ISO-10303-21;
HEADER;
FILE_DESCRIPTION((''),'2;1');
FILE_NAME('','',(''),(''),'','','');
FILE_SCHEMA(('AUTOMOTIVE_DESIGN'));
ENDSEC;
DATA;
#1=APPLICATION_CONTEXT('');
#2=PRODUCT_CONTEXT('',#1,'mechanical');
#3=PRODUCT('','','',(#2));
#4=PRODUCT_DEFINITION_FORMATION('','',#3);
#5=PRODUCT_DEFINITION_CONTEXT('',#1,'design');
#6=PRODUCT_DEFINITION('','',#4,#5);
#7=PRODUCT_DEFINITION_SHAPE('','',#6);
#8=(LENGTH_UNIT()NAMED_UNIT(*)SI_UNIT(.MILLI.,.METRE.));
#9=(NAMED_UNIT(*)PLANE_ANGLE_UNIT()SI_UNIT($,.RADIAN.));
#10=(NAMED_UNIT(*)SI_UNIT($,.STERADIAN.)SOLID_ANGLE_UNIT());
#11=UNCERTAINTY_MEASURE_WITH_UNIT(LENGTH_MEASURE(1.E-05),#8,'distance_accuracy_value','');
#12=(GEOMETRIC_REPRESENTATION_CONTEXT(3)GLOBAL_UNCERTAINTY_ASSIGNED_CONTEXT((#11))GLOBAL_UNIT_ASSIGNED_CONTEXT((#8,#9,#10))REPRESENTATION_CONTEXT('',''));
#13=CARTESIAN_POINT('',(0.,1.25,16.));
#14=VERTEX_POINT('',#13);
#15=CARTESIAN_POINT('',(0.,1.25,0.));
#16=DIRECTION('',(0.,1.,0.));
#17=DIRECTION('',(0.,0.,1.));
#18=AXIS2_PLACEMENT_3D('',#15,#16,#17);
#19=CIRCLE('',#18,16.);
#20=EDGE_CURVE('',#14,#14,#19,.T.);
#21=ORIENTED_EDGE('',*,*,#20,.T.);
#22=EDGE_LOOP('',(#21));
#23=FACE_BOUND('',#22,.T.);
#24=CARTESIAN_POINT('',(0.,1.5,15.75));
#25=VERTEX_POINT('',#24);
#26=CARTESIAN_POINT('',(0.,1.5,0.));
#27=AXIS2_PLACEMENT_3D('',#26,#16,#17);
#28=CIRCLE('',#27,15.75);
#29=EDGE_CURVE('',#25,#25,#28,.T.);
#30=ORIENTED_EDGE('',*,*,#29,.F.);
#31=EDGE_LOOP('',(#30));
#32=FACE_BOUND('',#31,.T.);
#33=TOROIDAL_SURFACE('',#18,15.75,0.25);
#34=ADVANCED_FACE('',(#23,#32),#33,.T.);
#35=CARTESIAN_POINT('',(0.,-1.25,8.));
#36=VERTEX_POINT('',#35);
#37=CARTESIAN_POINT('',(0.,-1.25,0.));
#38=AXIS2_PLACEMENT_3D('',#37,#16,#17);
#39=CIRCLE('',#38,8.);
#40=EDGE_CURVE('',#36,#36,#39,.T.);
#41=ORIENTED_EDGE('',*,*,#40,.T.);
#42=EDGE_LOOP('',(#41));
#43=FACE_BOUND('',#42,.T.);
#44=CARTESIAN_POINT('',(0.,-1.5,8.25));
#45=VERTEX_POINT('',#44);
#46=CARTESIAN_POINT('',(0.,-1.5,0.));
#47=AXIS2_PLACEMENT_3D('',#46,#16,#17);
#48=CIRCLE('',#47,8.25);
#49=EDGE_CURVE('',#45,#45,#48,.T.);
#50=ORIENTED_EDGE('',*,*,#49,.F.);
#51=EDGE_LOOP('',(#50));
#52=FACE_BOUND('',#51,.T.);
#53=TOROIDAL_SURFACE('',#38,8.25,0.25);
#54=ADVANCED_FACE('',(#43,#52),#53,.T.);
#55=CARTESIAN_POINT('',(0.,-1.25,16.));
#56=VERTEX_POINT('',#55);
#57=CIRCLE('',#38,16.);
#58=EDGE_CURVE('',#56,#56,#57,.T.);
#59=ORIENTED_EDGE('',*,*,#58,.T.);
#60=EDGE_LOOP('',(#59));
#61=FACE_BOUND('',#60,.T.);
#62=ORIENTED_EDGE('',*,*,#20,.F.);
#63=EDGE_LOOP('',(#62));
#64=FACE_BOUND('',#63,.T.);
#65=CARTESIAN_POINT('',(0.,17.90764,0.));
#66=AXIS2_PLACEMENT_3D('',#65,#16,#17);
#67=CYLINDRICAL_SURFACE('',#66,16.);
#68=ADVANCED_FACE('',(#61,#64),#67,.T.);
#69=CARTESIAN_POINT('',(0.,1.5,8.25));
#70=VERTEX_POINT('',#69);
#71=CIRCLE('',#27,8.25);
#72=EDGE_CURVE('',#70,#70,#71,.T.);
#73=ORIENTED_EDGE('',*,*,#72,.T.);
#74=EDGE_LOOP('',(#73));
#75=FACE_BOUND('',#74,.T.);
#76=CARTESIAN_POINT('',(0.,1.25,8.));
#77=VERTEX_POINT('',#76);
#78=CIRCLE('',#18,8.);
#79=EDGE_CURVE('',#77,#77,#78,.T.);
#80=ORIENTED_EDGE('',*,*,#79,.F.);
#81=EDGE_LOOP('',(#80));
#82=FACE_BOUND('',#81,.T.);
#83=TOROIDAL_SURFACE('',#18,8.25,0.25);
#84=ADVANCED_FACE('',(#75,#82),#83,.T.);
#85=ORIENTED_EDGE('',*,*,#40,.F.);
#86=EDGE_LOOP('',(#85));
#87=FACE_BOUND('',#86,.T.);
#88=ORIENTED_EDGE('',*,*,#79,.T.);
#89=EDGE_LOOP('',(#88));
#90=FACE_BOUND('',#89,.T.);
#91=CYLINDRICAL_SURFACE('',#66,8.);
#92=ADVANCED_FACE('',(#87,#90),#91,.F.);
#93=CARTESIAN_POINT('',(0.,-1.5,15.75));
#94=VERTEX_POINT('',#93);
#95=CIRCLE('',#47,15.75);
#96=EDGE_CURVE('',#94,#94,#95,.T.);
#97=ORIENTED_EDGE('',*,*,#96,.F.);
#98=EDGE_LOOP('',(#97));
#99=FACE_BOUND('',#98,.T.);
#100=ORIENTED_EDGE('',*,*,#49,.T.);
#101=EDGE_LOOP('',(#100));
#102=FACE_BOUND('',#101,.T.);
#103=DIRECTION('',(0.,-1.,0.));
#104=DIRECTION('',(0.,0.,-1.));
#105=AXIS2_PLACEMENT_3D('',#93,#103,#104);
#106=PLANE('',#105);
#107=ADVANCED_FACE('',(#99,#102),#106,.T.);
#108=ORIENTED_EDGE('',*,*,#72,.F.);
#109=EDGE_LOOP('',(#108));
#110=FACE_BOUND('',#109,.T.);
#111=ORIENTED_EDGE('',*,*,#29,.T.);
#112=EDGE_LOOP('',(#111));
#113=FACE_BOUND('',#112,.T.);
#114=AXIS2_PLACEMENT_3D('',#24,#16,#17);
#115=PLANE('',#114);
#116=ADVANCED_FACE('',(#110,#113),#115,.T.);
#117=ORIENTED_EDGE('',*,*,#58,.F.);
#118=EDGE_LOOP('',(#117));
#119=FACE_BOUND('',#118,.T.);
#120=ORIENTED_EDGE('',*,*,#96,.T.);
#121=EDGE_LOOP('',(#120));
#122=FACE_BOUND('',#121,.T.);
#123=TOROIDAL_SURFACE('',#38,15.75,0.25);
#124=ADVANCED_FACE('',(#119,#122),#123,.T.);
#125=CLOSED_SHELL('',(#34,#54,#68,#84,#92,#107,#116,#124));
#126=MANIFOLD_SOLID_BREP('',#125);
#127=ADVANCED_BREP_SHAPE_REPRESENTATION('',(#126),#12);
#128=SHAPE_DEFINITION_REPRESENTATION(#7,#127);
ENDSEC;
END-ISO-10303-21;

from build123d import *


with BuildPart() as part:
    # Sketch1 → Revolve1 (revolve)
    with BuildSketch(Plane(origin=(0, 0, 0), x_dir=(0, 0, -1), z_dir=(1, 0, 0))):
        with BuildLine():
            Line((-16, 1.25), (-16, -1.25))
            ThreePointArc((-16, -1.25), (-15.926776695, -1.426776695), (-15.75, -1.5))
            Line((-15.75, -1.5), (-8.25, -1.5))
            ThreePointArc((-8.25, -1.5), (-8.073223305, -1.426776695), (-8, -1.25))
            Line((-8, -1.25), (-8, 1.25))
            ThreePointArc((-8, 1.25), (-8.073223305, 1.426776695), (-8.25, 1.5))
            Line((-8.25, 1.5), (-15.75, 1.5))
            ThreePointArc((-15.75, 1.5), (-15.926776695, 1.426776695), (-16, 1.25))
        make_face()
    revolve(axis=Axis((0, 17.907639975, 0), (0, -1, 0)))


solid = part.part
